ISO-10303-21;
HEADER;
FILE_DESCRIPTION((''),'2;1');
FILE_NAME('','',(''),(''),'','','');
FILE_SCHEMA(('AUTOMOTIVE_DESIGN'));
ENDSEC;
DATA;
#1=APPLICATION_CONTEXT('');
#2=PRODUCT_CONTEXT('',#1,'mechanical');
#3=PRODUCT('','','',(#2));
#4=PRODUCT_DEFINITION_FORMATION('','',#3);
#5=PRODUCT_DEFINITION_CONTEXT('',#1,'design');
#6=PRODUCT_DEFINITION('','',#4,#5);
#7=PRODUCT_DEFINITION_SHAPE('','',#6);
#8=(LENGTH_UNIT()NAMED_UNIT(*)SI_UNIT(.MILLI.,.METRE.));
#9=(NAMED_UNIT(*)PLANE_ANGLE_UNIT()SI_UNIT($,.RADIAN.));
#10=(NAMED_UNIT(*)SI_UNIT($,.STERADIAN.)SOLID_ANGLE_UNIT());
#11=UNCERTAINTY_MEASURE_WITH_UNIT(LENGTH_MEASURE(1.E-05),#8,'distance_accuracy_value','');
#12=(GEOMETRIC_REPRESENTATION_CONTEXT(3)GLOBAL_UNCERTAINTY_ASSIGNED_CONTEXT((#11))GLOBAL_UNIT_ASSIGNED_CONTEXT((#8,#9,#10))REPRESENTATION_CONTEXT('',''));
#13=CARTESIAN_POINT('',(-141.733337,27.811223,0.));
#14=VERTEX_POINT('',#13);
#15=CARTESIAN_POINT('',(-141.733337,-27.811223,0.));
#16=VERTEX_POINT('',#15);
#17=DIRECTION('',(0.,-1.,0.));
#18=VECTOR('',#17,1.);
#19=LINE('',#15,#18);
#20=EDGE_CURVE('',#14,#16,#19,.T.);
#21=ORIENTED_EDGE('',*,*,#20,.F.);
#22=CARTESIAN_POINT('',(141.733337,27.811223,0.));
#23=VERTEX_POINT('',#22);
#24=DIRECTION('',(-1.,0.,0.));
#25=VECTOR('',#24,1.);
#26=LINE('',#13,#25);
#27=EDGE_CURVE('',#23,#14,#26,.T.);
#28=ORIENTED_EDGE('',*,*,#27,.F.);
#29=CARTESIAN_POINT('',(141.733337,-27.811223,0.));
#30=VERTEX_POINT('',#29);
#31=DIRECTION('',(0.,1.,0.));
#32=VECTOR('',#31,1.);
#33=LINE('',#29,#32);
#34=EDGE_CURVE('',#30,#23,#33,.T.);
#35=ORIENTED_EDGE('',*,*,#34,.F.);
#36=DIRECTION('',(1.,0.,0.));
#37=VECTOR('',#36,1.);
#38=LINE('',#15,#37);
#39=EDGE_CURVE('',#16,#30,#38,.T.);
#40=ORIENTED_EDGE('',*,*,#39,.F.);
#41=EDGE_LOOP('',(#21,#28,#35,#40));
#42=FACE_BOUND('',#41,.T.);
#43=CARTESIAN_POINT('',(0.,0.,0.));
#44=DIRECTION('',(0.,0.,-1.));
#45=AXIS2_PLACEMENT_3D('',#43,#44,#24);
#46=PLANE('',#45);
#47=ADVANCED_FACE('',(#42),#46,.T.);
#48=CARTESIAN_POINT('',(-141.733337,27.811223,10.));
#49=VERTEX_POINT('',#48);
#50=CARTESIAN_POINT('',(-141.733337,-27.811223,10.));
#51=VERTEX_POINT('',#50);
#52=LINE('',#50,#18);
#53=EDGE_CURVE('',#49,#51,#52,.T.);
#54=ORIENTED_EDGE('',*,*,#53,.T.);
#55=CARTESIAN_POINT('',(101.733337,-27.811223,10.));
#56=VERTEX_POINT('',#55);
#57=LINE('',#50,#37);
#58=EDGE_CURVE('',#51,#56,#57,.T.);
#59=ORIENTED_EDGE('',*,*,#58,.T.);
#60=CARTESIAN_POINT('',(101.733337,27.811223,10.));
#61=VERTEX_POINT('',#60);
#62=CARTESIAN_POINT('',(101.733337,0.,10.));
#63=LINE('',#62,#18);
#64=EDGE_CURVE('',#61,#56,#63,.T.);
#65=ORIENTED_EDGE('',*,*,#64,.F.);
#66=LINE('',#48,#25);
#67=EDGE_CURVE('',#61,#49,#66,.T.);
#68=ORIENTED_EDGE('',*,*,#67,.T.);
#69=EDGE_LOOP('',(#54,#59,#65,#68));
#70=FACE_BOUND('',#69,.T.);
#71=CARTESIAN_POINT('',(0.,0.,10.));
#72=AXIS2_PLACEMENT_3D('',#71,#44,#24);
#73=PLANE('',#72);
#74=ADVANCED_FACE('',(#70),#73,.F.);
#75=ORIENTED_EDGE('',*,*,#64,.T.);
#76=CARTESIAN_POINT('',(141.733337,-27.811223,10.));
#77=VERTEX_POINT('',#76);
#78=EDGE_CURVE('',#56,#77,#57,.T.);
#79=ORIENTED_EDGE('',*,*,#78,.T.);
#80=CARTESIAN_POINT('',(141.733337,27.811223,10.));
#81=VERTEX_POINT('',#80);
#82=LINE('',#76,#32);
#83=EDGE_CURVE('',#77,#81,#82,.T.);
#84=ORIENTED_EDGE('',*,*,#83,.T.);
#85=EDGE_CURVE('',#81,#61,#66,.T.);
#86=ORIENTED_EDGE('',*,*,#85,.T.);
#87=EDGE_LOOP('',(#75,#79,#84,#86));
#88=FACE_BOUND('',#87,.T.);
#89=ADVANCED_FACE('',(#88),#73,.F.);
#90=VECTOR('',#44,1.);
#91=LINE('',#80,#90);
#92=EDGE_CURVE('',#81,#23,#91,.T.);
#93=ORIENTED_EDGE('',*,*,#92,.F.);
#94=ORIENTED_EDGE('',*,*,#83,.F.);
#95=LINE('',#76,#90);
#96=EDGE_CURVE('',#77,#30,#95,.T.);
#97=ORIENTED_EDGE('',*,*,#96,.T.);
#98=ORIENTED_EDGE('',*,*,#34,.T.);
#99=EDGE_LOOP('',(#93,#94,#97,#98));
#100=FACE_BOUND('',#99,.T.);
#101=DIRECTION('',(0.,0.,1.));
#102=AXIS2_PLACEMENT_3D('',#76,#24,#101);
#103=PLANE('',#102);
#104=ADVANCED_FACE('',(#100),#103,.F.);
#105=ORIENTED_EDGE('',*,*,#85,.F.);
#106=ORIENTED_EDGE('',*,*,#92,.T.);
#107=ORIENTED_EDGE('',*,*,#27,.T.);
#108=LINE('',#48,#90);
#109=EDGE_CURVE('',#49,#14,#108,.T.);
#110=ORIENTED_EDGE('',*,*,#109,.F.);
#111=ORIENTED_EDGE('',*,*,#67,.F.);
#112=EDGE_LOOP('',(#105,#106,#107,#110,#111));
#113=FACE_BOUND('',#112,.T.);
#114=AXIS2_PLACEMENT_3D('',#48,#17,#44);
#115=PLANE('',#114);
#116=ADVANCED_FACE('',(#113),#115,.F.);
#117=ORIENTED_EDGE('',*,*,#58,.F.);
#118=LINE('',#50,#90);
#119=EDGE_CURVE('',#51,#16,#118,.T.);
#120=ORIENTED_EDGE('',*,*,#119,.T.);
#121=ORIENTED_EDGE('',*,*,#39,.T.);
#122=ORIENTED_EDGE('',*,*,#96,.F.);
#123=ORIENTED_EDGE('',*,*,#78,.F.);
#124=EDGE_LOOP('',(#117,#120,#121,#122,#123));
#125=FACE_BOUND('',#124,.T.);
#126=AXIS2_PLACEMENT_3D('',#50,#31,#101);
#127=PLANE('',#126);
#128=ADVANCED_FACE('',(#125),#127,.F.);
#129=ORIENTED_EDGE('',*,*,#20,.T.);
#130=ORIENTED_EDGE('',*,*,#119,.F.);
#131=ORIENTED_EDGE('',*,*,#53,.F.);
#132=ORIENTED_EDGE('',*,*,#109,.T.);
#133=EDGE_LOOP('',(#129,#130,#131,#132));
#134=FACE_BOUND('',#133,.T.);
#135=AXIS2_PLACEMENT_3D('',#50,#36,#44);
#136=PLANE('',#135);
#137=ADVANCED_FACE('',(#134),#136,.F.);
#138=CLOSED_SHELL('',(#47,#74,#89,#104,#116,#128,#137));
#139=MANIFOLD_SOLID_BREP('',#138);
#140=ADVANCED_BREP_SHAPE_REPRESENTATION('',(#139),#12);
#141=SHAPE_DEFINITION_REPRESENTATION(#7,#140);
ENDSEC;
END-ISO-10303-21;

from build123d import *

# Parameters (mm, degrees)
SKETCH_1_W      = 283.466674086
SKETCH_1_H      = 55.6224464
EXTRUDE_1_DEPTH = 10


with BuildPart() as part:
    # 草图1 → 凸台-拉伸1 (new body)
    with BuildSketch(Plane.XY):
        Rectangle(SKETCH_1_W, SKETCH_1_H)
    extrude(amount=EXTRUDE_1_DEPTH)


solid = part.part
